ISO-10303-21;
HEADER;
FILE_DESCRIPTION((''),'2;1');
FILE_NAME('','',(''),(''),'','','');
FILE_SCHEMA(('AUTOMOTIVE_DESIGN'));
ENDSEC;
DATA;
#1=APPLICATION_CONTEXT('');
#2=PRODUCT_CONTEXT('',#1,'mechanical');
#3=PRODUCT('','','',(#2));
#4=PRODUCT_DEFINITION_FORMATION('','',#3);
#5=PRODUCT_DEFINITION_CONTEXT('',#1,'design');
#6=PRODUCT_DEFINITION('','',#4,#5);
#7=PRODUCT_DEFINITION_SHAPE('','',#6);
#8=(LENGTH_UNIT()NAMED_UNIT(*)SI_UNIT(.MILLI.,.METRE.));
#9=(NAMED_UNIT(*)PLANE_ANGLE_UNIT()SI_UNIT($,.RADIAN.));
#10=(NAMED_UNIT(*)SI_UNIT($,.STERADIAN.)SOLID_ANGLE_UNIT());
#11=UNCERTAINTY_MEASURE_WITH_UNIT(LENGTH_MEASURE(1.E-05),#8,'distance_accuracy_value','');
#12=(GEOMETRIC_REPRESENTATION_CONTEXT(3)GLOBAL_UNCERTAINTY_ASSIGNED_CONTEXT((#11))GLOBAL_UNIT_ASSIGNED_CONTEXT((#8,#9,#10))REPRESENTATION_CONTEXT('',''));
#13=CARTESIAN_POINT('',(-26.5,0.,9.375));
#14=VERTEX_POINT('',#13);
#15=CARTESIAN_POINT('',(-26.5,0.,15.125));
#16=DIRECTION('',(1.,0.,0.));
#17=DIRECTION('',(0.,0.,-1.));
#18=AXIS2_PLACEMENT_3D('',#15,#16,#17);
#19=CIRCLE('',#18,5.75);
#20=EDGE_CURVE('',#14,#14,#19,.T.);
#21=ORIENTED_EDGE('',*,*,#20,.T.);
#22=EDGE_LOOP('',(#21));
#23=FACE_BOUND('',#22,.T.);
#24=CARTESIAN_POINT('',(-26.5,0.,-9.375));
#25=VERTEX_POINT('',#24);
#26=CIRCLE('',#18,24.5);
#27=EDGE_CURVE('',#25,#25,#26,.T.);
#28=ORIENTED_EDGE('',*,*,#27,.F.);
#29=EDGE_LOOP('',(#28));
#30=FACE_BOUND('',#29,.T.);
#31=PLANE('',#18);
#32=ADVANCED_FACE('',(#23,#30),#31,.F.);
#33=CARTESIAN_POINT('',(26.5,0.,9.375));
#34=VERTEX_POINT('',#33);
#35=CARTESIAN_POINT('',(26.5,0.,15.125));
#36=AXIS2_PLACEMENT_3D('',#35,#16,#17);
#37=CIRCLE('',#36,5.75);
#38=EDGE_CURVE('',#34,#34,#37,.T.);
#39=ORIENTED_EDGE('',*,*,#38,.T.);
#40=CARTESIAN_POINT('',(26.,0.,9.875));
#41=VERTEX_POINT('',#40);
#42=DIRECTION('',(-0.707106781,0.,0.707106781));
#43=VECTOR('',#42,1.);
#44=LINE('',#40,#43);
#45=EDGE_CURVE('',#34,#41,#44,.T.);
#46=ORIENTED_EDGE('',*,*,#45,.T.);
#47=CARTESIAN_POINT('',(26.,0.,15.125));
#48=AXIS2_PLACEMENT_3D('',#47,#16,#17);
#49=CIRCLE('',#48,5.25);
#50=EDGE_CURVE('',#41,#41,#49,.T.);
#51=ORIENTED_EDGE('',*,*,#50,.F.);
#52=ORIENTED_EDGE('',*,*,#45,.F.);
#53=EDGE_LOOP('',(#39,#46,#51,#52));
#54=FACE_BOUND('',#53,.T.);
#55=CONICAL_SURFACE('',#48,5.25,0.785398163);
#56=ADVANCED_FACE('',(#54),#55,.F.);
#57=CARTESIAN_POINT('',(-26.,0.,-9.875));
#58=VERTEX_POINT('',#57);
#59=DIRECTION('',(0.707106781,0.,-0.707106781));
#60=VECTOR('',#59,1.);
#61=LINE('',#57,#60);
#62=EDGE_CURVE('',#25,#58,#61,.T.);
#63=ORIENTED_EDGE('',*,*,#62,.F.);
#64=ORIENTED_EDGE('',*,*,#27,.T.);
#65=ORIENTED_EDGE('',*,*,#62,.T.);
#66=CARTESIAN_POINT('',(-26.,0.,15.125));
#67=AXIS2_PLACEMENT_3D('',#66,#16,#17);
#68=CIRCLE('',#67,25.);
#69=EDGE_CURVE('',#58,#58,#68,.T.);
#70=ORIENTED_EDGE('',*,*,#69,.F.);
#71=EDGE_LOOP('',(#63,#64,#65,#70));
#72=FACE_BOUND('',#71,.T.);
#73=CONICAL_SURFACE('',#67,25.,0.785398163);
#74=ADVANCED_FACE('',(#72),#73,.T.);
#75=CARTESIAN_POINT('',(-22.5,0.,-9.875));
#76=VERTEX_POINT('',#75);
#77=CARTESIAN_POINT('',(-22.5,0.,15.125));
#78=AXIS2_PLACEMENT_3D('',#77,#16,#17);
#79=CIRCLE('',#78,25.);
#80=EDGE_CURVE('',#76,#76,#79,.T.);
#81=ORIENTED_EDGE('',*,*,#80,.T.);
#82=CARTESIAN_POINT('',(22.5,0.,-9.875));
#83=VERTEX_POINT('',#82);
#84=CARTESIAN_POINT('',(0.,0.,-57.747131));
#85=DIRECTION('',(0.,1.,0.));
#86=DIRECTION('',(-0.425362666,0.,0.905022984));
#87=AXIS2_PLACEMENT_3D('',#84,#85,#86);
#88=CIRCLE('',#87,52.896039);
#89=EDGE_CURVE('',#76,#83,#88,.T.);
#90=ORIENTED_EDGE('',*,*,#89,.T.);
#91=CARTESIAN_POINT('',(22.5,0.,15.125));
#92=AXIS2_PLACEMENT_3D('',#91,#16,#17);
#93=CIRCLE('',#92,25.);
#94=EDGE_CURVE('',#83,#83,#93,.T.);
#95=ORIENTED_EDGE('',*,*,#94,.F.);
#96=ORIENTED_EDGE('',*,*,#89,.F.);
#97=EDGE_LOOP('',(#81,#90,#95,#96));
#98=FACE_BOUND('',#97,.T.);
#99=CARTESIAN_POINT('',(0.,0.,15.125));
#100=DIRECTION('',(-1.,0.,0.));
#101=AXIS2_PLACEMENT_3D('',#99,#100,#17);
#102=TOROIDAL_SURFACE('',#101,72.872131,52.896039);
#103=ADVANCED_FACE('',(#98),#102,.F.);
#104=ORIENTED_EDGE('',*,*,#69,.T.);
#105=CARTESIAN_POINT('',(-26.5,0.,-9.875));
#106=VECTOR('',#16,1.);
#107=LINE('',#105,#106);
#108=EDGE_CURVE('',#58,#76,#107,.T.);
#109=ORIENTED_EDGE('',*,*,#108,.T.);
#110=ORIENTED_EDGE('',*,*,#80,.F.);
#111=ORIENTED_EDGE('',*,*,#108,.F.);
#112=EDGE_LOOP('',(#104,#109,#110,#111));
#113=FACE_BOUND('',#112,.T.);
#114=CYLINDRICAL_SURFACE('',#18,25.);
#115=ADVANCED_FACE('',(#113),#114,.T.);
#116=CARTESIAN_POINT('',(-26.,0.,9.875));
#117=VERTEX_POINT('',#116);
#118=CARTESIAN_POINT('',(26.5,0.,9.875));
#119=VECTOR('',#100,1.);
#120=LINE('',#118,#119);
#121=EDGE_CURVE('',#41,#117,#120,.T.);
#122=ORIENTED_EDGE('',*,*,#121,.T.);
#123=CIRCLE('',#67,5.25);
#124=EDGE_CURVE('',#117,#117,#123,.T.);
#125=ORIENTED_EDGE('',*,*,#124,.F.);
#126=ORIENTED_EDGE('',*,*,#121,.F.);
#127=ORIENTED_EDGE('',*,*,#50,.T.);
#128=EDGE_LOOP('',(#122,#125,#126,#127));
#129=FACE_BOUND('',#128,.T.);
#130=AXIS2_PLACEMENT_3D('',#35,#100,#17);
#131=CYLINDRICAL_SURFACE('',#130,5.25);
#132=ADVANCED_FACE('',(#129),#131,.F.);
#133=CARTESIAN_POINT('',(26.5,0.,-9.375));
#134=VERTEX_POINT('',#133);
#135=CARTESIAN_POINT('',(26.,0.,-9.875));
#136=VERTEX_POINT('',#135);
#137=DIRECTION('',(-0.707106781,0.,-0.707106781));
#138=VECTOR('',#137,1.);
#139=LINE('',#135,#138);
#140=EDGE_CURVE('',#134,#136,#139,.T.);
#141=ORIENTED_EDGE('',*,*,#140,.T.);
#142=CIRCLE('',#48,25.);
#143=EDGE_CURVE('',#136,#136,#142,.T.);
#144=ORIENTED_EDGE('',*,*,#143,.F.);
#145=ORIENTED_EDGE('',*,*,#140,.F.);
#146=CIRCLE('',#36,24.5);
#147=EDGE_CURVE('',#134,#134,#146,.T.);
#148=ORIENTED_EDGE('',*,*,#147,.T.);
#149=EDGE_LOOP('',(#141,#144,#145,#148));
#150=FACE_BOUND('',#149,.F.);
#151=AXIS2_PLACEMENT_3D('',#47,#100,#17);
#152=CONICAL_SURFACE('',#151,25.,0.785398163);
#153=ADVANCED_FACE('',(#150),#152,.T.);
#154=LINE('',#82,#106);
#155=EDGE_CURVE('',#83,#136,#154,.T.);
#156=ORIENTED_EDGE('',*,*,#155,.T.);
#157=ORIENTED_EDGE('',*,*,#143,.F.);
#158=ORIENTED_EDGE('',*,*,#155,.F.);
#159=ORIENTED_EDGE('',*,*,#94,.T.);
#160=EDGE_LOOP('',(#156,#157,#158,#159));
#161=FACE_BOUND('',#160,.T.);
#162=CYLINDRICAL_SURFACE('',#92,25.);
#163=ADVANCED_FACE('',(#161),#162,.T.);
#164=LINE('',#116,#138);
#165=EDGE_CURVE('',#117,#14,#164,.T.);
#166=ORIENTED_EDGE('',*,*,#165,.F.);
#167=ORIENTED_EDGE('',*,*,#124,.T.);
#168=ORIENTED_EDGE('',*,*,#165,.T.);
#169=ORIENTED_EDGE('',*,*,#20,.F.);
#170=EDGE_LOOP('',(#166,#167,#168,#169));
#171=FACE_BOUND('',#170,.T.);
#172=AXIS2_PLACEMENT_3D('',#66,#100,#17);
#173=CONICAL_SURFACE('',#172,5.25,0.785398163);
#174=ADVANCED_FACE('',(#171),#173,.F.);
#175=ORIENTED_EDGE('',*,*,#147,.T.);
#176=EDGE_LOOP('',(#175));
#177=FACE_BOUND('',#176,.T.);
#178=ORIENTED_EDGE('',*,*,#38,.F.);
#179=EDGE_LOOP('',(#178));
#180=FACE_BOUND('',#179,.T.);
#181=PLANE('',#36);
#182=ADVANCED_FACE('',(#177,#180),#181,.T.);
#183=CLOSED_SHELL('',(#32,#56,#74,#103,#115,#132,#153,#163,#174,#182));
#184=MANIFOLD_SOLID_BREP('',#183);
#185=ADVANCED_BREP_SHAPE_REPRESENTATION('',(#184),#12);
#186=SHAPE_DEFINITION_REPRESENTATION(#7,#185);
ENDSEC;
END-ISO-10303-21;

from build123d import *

# Parameters (mm, degrees)
F3_SIZE  = 0.5
F4_SIZE2 = 0.5
F4_SIZE  = 0.5


with BuildPart() as f2:
    # F0 (on Front) → F2 (revolve)
    with BuildSketch(Plane.XZ):
        with BuildLine():
            Line((26.5, -9.875), (26.5, 9.875))
            Line((26.5, 9.875), (-26.5, 9.875))
            Line((-26.5, 9.875), (-26.5, -9.875))
            Line((-26.5, -9.875), (-22.5, -9.875))
            ThreePointArc((-22.5, -9.875), (0, -4.8510921188), (22.5, -9.875))
            Line((22.5, -9.875), (26.5, -9.875))
        make_face()
    revolve(axis=Axis((0, 0, 15.125), (1, 0, 0)))

    # F3
    f3_edges = [f2.edges().sort_by_distance(p)[0] for p in [
        (26.5, 0, 40.125),
        (-26.5, 0, 40.125),
    ]]
    chamfer(f3_edges, length=F3_SIZE)

    # F4
    f4_edges = [f2.edges().sort_by_distance(p)[0] for p in [
        (26.5, 0, 20.375),
        (-26.5, 0, 20.375),
    ]]
    chamfer(f4_edges, length=F4_SIZE, length2=F4_SIZE2)


solid = f2.part
